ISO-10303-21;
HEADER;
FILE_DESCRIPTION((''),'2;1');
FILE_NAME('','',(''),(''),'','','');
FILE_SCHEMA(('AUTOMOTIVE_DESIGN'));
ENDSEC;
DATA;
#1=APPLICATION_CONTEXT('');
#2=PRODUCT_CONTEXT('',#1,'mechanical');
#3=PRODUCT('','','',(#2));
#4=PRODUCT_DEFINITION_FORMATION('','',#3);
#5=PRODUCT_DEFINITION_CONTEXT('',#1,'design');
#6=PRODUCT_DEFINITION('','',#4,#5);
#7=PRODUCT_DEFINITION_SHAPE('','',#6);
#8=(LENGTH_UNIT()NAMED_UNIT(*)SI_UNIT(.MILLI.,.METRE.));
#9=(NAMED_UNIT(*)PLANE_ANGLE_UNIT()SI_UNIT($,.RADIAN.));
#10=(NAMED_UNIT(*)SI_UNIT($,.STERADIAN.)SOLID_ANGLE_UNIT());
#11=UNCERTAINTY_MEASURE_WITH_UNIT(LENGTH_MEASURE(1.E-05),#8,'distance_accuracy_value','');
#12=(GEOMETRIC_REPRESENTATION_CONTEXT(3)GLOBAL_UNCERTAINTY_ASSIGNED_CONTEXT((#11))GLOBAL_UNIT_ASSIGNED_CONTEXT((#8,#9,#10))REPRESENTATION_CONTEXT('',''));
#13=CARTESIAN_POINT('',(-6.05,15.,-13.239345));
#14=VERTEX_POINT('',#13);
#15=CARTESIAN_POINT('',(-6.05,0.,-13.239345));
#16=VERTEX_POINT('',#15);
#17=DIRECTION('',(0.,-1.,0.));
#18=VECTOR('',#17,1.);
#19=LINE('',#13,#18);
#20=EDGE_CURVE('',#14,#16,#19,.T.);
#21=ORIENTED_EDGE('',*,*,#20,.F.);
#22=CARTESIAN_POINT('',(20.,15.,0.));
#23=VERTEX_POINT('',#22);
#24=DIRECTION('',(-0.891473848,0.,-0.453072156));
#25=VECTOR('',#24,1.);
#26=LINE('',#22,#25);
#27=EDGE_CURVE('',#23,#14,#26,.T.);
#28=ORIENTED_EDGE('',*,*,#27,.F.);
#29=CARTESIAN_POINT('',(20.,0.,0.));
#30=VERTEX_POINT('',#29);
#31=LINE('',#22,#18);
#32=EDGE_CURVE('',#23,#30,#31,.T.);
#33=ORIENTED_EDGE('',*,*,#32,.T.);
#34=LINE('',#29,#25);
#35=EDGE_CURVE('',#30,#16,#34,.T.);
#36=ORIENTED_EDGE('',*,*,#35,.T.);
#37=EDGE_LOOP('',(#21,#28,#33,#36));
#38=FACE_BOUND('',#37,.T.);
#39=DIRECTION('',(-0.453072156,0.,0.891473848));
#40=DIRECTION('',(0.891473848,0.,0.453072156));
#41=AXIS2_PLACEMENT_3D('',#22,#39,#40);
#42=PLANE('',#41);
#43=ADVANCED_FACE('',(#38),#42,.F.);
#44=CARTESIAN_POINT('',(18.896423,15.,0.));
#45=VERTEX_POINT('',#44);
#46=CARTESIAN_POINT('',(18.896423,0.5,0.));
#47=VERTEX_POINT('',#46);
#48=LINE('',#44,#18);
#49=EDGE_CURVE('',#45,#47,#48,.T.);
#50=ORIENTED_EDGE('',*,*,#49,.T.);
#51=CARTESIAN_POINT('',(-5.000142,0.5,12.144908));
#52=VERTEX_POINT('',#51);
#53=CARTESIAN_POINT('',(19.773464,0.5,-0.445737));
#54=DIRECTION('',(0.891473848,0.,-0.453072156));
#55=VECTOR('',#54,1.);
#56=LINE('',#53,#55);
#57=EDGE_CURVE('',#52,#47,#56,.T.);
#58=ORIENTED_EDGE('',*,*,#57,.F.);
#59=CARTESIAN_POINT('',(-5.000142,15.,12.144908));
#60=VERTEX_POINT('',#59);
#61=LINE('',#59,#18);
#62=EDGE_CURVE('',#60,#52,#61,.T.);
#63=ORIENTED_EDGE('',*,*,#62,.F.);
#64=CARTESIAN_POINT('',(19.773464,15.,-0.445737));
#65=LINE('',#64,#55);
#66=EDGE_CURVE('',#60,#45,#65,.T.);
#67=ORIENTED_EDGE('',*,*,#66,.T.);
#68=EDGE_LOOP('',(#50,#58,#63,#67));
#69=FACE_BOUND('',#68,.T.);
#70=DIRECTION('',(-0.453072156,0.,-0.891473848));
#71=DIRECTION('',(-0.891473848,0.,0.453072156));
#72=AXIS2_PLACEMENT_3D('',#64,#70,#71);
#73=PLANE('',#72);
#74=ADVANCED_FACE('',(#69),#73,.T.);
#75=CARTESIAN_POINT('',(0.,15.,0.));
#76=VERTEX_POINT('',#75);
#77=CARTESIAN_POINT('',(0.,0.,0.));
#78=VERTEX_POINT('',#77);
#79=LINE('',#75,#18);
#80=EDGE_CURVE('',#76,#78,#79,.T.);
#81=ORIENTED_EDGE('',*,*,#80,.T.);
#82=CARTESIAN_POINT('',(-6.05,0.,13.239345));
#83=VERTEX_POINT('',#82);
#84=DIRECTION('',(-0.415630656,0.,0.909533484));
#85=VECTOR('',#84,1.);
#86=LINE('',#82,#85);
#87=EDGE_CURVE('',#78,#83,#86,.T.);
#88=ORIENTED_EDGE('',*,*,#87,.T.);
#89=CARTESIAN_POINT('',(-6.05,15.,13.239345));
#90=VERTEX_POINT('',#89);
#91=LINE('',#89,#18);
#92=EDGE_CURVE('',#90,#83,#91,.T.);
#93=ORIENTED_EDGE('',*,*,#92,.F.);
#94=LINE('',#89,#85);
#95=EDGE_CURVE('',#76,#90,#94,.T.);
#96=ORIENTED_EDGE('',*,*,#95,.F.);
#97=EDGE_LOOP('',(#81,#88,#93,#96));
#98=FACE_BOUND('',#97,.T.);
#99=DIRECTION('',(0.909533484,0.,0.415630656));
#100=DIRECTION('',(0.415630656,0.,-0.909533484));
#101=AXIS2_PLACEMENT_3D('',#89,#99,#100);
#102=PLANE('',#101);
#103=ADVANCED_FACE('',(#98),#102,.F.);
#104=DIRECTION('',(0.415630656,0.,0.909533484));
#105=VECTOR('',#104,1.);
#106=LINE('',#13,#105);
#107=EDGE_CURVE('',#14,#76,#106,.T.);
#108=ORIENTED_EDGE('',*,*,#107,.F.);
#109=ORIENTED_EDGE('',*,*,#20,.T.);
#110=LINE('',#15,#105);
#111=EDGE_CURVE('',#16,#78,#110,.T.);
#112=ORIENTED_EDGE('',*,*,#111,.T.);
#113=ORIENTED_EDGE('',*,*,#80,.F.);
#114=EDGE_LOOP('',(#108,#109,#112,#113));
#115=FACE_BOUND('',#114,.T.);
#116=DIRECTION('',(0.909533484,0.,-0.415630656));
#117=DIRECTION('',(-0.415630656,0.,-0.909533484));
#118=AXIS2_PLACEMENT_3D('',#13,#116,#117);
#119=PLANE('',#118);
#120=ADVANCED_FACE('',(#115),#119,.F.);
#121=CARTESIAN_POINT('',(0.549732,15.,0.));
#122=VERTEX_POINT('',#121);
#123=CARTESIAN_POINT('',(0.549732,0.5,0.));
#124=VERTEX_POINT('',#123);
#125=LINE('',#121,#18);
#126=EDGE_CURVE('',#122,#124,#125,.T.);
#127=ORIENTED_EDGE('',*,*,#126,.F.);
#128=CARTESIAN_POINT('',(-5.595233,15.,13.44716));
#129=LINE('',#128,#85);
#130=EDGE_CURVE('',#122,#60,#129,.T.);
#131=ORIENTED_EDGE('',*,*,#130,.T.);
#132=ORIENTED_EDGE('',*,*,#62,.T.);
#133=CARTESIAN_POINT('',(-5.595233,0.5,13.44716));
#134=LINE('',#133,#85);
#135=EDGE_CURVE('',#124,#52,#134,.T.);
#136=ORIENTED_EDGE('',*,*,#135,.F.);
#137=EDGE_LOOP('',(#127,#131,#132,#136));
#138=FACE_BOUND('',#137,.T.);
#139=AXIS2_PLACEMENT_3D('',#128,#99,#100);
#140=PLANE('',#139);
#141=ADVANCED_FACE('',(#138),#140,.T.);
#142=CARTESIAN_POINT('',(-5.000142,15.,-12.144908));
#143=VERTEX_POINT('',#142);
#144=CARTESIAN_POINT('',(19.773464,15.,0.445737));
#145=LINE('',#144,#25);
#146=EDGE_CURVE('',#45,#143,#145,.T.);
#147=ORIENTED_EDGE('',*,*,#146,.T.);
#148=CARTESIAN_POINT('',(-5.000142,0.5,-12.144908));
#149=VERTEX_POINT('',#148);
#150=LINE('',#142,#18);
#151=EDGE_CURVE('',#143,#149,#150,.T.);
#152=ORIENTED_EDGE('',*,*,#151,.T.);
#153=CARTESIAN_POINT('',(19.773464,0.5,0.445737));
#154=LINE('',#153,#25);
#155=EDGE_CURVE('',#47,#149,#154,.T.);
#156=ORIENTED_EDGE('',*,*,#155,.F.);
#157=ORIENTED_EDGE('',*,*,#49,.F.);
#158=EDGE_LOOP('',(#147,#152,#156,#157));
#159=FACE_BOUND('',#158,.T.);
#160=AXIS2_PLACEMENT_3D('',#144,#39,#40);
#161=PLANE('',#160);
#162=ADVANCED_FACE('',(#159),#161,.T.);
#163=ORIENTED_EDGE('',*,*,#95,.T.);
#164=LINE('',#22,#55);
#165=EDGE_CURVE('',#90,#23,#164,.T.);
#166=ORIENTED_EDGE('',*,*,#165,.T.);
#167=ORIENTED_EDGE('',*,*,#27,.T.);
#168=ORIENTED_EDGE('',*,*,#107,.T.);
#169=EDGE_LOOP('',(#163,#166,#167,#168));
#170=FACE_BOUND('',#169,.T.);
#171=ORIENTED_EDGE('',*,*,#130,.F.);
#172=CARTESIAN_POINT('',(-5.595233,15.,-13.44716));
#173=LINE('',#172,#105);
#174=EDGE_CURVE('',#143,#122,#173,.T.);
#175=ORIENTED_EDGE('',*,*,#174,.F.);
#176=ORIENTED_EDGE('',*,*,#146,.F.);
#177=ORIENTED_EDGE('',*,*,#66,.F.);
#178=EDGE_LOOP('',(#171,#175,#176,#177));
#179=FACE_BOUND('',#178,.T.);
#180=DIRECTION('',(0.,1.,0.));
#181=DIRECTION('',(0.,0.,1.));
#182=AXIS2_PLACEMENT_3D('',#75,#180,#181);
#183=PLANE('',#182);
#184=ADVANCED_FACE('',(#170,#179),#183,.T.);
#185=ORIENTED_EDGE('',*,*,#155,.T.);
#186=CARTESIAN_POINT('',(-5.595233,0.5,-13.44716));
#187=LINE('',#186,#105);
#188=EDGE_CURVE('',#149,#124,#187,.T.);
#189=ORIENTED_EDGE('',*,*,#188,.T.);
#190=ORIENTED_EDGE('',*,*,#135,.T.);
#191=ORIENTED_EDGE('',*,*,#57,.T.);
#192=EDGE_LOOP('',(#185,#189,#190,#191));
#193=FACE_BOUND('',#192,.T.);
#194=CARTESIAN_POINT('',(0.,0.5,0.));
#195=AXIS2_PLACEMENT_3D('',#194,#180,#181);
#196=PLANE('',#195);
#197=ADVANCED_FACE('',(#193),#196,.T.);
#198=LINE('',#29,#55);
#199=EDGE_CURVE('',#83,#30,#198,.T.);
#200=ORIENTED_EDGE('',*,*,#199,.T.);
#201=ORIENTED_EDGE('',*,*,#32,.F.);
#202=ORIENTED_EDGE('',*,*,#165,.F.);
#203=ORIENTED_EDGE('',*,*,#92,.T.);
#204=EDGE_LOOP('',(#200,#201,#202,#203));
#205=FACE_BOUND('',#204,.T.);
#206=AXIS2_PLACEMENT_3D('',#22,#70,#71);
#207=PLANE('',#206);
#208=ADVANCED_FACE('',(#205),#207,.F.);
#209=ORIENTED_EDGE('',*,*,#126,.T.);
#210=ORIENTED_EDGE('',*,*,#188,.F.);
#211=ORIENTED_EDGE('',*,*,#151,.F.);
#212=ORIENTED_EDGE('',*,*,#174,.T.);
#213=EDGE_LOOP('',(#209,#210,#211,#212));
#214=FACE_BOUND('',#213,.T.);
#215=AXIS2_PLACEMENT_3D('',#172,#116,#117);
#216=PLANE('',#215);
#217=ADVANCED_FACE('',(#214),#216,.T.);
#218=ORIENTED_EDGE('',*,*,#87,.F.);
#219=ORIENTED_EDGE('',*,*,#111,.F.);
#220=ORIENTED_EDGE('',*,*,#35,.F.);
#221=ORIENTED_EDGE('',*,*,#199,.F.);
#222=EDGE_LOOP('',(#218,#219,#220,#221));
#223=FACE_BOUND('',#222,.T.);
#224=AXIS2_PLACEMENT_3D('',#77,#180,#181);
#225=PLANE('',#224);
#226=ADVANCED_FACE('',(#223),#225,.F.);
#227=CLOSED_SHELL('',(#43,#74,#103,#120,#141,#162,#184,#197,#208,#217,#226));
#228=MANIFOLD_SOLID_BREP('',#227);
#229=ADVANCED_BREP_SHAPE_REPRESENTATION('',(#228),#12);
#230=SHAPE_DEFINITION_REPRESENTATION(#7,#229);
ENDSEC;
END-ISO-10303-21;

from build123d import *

# Parameters (mm, degrees)
SALIENTE_EXTRUIR1_DEPTH = 15
VACIADO1_T              = -0.5


with BuildPart() as part:
    # Croquis2 → Saliente-Extruir1 (new body)
    with BuildSketch(Plane(origin=(0, 0, 0), x_dir=(1, 0, 0), z_dir=(0, 1, 0))):
        Polygon((20, 0), (-6.05, 13.239344826), (0, 0), (-6.05, -13.239344826), align=None)
    extrude(amount=SALIENTE_EXTRUIR1_DEPTH)

    # Vaciado1
    vaciado1_openings = [part.faces().sort_by_distance(p)[0] for p in [
        (4.65, 15, 0),
    ]]
    offset(amount=VACIADO1_T, openings=vaciado1_openings, kind=Kind.INTERSECTION)


solid = part.part
